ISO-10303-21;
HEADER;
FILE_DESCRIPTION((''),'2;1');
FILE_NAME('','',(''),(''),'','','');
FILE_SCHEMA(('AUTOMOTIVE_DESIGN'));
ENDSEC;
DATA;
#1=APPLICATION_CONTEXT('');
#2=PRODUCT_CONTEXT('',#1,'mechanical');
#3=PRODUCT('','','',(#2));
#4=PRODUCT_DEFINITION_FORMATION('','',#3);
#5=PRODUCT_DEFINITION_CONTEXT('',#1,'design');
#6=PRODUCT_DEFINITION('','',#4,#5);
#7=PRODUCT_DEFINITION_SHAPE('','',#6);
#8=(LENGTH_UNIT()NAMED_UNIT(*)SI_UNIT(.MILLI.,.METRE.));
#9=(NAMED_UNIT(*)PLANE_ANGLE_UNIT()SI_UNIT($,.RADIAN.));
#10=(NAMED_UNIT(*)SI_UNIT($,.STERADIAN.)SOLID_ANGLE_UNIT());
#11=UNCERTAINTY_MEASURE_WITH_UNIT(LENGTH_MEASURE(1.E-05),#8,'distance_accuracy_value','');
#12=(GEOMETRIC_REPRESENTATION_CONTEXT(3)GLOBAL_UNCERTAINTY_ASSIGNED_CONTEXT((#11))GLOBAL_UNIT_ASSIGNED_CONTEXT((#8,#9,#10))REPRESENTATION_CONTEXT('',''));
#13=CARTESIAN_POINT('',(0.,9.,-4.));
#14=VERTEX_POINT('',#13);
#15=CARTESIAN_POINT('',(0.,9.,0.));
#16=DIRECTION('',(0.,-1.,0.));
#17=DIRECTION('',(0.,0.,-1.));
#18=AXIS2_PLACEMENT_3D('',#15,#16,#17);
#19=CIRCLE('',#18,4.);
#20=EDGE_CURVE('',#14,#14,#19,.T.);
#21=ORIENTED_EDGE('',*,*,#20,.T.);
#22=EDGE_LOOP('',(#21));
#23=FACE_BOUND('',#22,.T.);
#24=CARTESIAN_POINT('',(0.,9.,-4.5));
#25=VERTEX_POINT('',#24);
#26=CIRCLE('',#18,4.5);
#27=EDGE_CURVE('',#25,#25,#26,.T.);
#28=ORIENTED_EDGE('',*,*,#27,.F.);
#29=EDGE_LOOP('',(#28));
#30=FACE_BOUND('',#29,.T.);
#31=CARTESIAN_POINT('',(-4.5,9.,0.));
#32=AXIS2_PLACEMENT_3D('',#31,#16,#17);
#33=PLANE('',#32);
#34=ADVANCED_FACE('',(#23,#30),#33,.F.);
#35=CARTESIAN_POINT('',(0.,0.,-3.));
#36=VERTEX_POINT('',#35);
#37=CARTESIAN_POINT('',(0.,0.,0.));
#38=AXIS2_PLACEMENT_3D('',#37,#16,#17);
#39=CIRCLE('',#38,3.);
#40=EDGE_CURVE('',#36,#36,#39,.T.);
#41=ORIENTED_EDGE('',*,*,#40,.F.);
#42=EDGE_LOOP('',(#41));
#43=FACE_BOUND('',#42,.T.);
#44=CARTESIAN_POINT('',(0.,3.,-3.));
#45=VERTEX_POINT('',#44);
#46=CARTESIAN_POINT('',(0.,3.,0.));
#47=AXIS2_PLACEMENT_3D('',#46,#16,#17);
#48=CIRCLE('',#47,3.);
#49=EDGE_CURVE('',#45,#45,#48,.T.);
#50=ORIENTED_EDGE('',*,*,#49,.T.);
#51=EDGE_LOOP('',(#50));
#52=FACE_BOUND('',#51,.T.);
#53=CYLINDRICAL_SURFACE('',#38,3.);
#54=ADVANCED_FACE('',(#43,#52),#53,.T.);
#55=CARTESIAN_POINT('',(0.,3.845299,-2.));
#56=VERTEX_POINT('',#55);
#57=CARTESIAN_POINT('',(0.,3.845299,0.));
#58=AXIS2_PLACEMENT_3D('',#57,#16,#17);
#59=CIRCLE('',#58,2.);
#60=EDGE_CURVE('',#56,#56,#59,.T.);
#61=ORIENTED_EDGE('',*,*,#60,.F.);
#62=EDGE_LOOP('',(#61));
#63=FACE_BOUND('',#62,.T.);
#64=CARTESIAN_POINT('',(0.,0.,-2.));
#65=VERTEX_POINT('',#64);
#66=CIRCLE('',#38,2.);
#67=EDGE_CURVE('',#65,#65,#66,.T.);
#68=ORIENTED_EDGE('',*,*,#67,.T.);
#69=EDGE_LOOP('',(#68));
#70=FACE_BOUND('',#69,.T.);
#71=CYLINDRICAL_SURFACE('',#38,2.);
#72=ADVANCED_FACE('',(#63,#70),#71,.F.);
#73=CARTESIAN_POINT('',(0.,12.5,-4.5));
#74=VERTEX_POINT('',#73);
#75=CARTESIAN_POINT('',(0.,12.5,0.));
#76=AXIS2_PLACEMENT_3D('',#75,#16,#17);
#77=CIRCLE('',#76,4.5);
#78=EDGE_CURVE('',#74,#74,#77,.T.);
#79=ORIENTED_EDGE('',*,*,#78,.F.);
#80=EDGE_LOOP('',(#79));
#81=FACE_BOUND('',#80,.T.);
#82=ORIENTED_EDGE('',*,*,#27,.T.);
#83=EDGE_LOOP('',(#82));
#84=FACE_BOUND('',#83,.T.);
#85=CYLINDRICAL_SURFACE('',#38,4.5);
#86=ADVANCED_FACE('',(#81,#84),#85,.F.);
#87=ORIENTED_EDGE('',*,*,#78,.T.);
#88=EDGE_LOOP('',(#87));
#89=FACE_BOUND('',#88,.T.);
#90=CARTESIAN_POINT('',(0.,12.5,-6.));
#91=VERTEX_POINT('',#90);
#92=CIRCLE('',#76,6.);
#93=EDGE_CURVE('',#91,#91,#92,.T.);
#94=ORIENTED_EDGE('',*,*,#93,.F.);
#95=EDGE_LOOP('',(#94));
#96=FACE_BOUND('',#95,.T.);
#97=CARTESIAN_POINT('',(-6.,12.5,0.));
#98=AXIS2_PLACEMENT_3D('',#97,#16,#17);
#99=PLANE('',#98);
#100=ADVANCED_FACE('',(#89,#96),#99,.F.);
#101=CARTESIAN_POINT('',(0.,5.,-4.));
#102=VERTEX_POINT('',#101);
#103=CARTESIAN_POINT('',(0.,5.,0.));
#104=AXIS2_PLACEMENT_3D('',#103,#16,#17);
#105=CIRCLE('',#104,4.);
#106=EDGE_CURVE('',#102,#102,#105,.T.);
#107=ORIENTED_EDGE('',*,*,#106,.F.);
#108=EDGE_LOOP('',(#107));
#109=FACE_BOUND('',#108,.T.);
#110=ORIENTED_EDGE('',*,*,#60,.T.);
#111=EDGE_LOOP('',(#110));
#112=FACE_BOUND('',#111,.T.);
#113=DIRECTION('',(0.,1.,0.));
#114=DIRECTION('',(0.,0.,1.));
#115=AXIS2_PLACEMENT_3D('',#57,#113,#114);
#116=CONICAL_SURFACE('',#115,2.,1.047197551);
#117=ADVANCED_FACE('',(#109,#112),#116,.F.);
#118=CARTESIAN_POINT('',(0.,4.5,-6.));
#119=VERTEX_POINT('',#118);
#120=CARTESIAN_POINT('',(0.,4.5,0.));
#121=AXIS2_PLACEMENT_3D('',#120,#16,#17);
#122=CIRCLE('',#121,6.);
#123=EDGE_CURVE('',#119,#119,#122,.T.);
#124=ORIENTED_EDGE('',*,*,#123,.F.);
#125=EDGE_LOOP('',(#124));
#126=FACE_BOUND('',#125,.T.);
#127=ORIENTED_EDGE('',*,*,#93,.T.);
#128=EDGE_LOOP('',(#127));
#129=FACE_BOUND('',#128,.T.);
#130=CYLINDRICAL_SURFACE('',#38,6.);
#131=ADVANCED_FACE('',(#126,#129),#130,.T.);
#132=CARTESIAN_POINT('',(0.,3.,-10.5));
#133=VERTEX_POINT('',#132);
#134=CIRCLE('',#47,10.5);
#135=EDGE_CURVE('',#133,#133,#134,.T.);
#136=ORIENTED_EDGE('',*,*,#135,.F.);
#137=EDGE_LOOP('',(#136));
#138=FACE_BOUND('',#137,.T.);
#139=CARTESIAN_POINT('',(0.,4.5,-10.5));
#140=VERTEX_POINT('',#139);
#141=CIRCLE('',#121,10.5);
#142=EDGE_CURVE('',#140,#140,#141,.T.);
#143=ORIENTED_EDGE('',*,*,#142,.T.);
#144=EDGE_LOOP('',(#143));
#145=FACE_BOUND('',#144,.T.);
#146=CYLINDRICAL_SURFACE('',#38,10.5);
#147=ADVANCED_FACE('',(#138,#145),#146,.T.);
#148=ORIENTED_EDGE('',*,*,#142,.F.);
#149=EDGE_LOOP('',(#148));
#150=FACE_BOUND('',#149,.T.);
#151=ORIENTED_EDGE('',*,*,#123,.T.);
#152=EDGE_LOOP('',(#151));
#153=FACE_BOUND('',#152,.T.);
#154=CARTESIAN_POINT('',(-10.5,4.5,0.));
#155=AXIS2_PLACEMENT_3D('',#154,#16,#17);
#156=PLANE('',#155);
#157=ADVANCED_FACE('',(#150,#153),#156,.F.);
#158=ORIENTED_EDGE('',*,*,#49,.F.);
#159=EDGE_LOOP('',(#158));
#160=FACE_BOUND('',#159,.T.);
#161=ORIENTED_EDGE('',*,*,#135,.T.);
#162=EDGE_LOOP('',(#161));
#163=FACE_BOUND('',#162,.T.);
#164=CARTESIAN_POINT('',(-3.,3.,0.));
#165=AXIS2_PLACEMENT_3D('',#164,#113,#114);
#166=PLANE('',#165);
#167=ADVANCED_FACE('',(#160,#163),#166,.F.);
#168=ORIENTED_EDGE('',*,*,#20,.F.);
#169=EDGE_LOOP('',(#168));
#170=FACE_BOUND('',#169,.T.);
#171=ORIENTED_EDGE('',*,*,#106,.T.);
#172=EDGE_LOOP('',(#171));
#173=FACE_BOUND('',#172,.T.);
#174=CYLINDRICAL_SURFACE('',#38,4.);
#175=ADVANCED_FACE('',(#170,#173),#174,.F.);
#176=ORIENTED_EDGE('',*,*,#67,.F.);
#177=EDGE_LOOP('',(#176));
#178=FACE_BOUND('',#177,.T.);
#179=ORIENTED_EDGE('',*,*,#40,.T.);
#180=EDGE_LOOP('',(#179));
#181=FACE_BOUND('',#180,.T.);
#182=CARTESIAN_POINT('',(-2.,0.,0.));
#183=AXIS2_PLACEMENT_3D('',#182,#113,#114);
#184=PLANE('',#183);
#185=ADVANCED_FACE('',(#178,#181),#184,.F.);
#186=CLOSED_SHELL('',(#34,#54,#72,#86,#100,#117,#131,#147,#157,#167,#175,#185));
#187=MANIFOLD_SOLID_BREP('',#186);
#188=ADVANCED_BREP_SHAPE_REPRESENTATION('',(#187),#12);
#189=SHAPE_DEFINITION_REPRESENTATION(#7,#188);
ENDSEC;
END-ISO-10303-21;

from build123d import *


with BuildPart() as part:
    # Esquisse1 → Révolution1 (revolve)
    with BuildSketch(Plane.XY, mode=Mode.PRIVATE) as r_volution1_sk:
        Polygon((-2, 3.845299462), (-2, 0), (-3, 0), (-3, 3), (-10.5, 3), (-10.5, 4.5), (-6, 4.5), (-6, 12.5), (-4.5, 12.5), (-4.5, 9), (-4, 9), (-4, 5), align=None)
    revolve(r_volution1_sk.sketch.rotate(Axis((0, 0, 0), (0, 1, 0)), 270), axis=Axis((0, 0, 0), (0, 1, 0)))  # turned: the seam where the file's is


solid = part.part
